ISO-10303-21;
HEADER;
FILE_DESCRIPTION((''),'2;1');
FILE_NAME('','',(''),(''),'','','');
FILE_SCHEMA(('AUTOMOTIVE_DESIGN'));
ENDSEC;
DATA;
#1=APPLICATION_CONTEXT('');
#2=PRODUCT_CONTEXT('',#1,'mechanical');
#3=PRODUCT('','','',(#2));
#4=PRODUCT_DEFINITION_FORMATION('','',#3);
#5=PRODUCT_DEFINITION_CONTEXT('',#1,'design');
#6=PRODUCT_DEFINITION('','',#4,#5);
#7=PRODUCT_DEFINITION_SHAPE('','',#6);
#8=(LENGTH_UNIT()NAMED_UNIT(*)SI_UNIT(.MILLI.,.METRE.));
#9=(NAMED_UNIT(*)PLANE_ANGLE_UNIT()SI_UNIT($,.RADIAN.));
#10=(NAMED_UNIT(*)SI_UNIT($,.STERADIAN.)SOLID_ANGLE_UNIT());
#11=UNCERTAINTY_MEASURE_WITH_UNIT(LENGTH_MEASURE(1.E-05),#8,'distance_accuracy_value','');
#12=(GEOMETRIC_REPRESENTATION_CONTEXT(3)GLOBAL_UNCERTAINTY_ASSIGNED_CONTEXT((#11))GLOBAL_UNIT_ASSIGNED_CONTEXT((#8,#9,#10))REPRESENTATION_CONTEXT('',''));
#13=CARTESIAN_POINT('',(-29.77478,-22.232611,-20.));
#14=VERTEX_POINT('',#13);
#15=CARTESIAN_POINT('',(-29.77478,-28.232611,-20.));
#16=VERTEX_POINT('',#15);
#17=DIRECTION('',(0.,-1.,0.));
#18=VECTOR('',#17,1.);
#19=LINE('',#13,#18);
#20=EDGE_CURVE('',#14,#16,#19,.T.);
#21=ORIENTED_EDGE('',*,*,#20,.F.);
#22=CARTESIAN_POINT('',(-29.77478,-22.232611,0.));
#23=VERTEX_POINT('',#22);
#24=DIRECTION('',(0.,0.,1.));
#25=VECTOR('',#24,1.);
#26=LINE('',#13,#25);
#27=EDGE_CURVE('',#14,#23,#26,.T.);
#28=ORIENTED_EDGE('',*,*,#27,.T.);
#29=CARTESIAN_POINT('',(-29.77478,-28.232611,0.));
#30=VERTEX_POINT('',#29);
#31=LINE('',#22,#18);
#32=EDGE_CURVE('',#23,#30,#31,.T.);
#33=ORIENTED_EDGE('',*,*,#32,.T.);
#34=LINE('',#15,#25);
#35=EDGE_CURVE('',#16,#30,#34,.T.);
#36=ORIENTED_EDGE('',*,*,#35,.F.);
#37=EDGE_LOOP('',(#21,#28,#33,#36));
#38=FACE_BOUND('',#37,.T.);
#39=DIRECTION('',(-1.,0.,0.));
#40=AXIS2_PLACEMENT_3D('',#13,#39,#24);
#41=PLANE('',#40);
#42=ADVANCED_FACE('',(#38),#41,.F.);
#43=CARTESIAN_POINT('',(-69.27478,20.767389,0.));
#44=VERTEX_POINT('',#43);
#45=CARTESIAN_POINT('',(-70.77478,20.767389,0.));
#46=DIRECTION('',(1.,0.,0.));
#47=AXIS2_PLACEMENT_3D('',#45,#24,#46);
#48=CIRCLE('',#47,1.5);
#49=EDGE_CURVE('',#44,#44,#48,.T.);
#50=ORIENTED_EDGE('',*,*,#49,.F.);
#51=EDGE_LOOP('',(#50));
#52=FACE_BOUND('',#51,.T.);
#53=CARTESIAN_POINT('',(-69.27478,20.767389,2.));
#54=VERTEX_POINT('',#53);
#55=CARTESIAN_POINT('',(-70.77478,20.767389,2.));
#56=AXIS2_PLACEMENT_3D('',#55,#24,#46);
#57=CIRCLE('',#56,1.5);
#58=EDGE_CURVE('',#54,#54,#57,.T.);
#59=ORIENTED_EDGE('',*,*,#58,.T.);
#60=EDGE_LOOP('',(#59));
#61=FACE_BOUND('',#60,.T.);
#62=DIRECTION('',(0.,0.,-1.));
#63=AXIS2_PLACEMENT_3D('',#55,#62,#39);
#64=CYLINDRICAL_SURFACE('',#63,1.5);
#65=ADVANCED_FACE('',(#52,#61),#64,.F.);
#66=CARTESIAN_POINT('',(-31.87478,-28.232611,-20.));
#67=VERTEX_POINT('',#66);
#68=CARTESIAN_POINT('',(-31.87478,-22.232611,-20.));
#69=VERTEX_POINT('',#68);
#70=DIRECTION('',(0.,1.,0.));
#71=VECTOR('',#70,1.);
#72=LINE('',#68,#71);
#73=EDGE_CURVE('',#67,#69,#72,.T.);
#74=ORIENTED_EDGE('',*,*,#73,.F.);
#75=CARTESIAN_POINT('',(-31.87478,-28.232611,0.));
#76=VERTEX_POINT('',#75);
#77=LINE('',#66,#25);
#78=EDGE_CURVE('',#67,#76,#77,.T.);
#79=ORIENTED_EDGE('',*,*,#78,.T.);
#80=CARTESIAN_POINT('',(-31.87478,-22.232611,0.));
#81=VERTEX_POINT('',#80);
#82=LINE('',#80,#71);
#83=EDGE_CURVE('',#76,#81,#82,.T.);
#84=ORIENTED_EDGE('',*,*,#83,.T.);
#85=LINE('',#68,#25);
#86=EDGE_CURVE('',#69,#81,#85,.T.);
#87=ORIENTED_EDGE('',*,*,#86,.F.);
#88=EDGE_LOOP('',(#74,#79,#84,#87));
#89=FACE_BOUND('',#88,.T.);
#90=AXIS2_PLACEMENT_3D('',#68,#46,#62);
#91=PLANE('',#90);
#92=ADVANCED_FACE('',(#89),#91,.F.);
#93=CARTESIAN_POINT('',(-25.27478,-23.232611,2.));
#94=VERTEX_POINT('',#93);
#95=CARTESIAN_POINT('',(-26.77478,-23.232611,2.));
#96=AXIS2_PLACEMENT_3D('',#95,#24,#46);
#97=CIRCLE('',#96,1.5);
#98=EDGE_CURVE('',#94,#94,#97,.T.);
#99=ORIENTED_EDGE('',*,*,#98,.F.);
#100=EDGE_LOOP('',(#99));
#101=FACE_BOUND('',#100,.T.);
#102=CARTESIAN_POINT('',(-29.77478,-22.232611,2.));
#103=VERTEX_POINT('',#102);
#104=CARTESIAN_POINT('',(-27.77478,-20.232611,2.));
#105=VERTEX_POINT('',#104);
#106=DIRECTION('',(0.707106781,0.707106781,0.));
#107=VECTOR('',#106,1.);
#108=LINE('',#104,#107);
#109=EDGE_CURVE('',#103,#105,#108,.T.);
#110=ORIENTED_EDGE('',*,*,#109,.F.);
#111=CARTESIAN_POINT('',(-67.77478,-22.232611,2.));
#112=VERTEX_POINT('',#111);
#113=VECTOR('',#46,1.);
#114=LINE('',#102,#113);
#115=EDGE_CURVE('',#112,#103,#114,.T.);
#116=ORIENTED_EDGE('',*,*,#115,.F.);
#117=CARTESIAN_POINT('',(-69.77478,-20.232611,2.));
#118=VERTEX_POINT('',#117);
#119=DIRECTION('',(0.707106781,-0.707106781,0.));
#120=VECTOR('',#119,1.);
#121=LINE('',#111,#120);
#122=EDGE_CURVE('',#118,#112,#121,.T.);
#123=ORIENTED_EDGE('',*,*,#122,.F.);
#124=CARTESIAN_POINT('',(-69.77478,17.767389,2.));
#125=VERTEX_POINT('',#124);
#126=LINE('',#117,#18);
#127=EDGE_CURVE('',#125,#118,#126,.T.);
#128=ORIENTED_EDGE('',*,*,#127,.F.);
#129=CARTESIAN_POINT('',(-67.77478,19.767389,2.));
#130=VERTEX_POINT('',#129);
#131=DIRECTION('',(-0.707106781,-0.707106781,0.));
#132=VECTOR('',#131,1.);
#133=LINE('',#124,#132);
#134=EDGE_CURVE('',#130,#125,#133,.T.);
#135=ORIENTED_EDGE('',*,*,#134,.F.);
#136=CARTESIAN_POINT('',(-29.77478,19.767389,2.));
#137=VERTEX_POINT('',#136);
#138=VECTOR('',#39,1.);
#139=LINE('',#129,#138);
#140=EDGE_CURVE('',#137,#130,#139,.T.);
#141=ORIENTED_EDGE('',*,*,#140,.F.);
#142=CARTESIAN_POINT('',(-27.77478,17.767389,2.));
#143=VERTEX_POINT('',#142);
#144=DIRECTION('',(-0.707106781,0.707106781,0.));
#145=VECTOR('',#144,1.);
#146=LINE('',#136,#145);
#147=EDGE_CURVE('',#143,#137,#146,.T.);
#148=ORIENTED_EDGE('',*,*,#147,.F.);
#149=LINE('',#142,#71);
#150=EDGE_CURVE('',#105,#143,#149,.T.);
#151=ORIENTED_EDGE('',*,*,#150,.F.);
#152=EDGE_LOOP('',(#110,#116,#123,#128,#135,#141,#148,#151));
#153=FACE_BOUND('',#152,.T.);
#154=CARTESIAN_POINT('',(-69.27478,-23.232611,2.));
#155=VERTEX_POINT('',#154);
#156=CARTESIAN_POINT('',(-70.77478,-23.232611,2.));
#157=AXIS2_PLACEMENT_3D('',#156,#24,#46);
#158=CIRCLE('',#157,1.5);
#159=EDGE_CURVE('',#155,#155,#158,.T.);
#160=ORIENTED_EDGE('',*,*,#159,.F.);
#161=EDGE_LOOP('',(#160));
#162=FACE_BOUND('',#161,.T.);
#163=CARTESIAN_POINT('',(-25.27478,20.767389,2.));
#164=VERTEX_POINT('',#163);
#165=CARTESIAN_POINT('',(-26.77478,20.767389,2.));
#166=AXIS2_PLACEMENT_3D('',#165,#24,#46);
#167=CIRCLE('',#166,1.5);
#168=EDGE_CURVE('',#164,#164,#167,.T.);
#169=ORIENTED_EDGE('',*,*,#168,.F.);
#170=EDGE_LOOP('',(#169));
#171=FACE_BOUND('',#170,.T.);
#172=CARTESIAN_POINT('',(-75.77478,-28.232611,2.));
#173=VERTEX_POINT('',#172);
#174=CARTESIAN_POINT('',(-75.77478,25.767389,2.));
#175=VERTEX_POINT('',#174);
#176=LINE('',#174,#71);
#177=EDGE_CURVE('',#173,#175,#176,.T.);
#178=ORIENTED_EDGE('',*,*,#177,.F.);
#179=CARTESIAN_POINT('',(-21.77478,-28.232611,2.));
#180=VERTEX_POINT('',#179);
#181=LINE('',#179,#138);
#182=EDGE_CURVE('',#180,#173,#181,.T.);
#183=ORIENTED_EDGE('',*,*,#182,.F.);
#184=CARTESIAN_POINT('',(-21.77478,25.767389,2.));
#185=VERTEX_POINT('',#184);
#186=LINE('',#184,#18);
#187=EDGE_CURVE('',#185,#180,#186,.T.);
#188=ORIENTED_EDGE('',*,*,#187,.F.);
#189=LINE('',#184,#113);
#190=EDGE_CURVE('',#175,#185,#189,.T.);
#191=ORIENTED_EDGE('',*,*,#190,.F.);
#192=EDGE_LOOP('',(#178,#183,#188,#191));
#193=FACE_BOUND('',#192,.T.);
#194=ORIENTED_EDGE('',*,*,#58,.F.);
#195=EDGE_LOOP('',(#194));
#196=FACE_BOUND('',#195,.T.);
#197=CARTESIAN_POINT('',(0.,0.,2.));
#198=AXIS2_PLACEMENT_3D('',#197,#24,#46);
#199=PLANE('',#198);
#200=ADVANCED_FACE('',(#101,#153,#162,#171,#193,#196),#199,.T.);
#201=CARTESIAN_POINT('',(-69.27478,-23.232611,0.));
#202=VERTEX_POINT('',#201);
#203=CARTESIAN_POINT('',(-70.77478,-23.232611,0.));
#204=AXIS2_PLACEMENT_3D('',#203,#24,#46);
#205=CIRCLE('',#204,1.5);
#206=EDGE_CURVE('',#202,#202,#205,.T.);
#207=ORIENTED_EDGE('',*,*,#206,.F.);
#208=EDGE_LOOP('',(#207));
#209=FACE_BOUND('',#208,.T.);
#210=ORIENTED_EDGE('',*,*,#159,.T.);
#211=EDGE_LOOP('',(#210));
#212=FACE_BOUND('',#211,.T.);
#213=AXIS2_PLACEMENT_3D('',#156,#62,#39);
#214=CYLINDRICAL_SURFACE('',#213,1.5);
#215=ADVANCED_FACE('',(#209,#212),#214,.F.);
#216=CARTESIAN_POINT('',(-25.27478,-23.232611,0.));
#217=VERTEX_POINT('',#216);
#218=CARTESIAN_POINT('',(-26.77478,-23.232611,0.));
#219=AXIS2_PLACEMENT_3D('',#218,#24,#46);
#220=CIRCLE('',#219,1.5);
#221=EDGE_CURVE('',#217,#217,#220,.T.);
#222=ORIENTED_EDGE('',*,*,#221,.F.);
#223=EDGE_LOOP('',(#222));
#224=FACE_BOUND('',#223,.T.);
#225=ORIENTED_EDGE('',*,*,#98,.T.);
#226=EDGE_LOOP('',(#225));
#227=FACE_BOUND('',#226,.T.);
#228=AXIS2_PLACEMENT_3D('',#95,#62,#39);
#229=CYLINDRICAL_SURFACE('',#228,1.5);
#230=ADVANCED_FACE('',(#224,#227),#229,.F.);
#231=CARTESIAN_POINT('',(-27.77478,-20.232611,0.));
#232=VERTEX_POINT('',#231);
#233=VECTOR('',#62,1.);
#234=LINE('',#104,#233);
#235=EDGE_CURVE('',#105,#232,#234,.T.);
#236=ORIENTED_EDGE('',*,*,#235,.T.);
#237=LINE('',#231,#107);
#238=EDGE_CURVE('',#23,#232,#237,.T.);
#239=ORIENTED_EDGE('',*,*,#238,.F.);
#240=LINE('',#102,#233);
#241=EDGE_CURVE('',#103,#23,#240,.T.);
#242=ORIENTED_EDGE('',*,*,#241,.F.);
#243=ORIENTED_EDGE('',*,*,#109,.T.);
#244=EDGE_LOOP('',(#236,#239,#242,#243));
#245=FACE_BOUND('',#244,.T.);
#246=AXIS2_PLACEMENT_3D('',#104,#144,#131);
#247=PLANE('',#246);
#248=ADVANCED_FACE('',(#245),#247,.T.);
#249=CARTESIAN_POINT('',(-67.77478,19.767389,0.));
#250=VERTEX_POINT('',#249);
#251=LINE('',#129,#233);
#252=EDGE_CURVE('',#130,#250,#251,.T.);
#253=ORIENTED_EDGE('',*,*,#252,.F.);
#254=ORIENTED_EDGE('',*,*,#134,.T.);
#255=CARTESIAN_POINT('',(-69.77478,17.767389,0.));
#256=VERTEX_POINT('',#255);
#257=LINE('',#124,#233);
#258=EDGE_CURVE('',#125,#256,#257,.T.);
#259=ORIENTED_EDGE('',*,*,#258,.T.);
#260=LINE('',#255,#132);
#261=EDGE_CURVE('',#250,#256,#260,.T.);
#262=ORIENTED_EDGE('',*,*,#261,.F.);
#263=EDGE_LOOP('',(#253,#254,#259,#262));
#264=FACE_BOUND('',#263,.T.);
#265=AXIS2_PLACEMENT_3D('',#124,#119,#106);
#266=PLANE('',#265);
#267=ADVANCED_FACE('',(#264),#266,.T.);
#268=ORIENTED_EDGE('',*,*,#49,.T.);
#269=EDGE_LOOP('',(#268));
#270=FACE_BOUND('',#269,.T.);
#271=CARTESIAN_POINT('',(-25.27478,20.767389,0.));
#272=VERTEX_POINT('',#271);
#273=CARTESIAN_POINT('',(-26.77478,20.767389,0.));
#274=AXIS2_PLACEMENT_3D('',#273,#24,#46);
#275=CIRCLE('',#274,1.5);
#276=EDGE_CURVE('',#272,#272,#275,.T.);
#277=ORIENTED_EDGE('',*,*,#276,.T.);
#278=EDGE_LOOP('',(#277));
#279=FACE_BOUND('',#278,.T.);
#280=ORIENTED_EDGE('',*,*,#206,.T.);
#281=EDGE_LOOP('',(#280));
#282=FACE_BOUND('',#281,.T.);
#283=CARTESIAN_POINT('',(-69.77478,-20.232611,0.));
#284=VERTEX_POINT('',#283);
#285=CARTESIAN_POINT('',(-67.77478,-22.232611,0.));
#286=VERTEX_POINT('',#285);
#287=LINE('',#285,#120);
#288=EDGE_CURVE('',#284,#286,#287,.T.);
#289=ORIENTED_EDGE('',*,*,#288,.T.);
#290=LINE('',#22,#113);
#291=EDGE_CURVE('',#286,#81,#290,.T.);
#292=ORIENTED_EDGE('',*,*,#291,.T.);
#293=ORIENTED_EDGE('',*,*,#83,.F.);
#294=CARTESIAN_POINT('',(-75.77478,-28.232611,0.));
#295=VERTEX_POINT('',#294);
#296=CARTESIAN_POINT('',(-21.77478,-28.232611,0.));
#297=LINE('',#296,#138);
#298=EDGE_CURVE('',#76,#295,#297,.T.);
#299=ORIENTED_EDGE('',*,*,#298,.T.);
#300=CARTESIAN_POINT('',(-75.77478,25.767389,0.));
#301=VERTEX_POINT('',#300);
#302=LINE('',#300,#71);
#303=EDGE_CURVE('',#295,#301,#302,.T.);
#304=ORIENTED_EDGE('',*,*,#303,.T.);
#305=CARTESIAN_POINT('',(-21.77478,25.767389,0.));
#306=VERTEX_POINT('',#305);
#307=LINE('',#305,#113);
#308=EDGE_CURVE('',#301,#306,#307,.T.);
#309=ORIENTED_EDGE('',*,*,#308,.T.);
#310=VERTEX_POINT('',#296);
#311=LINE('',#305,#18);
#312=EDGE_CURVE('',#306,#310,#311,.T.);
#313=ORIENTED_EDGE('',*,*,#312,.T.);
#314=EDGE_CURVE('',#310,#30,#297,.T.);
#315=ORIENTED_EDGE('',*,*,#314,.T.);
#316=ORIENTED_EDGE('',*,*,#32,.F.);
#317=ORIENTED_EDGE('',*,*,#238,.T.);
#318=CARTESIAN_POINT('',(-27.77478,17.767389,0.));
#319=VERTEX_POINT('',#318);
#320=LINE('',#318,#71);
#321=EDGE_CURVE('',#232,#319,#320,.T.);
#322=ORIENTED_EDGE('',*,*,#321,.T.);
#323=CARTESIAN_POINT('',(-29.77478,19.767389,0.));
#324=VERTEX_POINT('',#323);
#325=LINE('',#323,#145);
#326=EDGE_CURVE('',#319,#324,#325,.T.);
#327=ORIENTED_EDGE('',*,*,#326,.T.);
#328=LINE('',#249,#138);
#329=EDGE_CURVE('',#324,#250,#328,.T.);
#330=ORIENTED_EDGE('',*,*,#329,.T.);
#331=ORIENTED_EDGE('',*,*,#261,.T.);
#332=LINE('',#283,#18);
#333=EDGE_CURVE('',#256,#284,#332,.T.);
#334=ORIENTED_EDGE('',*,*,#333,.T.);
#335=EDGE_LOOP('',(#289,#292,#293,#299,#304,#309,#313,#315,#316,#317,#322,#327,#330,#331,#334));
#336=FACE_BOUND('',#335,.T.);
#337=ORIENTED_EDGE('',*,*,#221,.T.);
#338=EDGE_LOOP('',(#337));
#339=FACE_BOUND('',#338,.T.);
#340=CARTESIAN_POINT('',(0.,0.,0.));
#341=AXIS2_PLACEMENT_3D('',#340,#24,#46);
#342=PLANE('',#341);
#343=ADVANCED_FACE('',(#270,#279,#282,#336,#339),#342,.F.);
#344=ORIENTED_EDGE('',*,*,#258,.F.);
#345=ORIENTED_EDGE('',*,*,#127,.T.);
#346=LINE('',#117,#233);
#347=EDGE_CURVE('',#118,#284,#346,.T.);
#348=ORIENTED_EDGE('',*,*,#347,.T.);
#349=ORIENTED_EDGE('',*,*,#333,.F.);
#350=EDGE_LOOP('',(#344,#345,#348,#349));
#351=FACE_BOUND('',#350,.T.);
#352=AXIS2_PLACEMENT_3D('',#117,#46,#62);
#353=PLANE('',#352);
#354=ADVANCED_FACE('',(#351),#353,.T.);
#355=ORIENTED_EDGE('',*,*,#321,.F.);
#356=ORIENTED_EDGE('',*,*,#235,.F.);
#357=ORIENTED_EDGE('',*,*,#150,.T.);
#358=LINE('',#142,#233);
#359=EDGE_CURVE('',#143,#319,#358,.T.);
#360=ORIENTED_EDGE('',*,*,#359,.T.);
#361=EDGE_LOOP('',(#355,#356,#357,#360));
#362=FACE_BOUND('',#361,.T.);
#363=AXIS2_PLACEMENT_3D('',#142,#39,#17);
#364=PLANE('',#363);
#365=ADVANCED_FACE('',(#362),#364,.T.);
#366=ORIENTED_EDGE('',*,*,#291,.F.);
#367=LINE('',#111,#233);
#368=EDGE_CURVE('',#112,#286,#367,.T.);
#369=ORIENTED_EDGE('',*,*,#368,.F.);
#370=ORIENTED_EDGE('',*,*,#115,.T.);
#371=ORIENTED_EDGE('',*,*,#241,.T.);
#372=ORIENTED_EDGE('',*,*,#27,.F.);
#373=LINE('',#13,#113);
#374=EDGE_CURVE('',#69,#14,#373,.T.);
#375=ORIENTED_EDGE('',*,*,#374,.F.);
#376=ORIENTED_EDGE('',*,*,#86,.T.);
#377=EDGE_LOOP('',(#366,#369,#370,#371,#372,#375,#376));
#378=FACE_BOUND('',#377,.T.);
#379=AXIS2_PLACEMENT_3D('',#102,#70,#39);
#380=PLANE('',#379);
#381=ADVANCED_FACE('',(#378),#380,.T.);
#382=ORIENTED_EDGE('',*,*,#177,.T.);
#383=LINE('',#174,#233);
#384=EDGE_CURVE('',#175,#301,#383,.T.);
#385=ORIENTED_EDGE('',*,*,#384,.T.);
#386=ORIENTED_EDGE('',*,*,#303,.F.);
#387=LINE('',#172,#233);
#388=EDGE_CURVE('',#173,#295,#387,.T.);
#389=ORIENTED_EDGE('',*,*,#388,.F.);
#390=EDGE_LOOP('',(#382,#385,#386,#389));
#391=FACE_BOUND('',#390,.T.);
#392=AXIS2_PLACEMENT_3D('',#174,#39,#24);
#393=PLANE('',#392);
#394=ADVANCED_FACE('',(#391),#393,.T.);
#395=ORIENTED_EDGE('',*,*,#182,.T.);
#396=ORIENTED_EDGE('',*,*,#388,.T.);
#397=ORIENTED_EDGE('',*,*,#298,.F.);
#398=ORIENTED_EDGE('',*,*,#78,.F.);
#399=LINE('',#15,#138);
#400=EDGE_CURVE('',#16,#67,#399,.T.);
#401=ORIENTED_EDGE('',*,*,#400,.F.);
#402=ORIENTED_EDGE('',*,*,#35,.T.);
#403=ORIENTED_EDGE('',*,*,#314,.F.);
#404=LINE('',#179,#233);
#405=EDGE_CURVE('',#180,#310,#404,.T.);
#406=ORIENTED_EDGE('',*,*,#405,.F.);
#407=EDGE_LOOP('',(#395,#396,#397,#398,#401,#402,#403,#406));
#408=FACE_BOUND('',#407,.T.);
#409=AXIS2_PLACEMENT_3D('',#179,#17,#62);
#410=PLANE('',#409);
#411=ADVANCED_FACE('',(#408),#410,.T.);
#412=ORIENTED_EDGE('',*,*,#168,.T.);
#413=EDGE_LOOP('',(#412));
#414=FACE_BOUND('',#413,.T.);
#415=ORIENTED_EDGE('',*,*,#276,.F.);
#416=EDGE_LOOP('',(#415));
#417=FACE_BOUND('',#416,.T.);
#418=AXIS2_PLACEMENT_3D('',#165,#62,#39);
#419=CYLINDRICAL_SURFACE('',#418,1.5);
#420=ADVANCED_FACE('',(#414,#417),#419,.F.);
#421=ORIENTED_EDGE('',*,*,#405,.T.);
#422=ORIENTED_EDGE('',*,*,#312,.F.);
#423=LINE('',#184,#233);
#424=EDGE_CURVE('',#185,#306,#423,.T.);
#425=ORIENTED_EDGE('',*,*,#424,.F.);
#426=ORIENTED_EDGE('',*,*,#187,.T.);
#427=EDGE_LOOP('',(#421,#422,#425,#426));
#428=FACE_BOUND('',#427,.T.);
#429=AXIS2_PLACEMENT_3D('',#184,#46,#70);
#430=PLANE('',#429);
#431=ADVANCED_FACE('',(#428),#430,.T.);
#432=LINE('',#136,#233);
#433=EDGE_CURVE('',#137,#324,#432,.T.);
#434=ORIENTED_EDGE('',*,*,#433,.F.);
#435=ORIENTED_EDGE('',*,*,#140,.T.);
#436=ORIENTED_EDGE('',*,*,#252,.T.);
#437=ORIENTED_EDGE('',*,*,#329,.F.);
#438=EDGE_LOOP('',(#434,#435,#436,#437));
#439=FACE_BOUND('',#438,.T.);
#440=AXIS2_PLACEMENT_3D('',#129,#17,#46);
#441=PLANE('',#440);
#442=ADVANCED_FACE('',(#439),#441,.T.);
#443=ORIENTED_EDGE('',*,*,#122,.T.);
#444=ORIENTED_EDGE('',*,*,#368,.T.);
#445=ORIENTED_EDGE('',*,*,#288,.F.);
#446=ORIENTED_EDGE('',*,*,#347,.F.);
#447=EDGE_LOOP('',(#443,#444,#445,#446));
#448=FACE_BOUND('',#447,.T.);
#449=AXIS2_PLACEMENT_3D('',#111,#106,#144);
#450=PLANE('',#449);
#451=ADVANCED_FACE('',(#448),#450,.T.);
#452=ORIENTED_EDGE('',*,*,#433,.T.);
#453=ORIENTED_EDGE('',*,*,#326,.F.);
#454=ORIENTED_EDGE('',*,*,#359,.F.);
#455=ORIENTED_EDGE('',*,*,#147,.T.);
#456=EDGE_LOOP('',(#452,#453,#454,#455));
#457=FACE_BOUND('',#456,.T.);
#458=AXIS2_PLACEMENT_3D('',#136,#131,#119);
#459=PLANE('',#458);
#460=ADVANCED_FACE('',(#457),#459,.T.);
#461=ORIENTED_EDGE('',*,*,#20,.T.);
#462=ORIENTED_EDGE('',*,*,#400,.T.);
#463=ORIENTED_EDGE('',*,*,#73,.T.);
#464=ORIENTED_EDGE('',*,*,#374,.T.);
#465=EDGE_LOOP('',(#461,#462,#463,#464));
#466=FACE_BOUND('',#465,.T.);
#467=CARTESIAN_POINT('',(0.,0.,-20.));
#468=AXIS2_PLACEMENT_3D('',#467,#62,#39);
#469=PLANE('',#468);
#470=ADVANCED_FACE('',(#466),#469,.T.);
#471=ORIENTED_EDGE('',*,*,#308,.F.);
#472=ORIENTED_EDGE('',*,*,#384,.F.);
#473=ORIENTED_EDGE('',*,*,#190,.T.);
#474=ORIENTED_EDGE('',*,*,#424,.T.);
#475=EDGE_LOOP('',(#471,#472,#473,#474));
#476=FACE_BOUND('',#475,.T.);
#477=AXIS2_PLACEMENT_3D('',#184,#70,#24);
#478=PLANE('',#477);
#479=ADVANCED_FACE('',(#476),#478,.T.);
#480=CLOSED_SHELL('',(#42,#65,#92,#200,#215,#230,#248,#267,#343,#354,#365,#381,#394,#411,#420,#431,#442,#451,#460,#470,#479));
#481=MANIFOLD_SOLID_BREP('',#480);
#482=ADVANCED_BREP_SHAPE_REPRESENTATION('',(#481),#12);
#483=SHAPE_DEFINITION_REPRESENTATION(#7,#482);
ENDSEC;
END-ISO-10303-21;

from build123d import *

# Parameters (mm, degrees)
CROQUIS1_W              = 50
CROQUIS1_H              = 50
CROQUIS1_R              = 1.5
SALIENTE_EXTRUIR1_DEPTH = 2
CROQUIS2_W              = 54
CROQUIS2_H              = 54
CROQUIS2_W_2            = 50
CROQUIS2_H_2            = 50
SALIENTE_EXTRUIR2_DEPTH = 2
CROQUIS3_W              = 2.1
CROQUIS3_H              = 6
SALIENTE_EXTRUIR3_DEPTH = 20


with BuildPart() as part:
    # Croquis1 → Saliente-Extruir1 (new body)
    with BuildSketch(Plane.XY):
        with Locations((-48.774779829, -1.232610977)):
            Rectangle(CROQUIS1_W, CROQUIS1_H)
        with Locations((-70.774779829, 20.767389023)):
            Circle(CROQUIS1_R, mode=Mode.SUBTRACT)
        with Locations((-26.774779829, 20.767389023)):
            Circle(CROQUIS1_R, mode=Mode.SUBTRACT)
        with Locations((-26.774779829, -23.232610977)):
            Circle(CROQUIS1_R, mode=Mode.SUBTRACT)
        with Locations((-70.774779829, -23.232610977)):
            Circle(CROQUIS1_R, mode=Mode.SUBTRACT)
        Polygon((-69.774779829, 17.767389023), (-67.774779829, 19.767389023), (-29.774779829, 19.767389023), (-27.774779829, 17.767389023), (-27.774779829, -20.232610977), (-29.774779829, -22.232610977), (-67.774779829, -22.232610977), (-69.774779829, -20.232610977), align=None, mode=Mode.SUBTRACT)
    extrude(amount=SALIENTE_EXTRUIR1_DEPTH)

    # Croquis2 → Saliente-Extruir2 (add)
    with BuildSketch(Plane(origin=(0, 0, 0), x_dir=(-1, 0, 0), z_dir=(0, 0, -1))):
        with Locations((48.774779829, -1.232610977)):
            Rectangle(CROQUIS2_W, CROQUIS2_H)
        with Locations((48.774779829, -1.232610977)):
            Rectangle(CROQUIS2_W_2, CROQUIS2_H_2, mode=Mode.SUBTRACT)
    extrude(amount=-SALIENTE_EXTRUIR2_DEPTH)

    # Croquis3 → Saliente-Extruir3 (add)
    with BuildSketch(Plane(origin=(0, 0, 0), x_dir=(-1, 0, 0), z_dir=(0, 0, -1))):
        with Locations((30.824779829, -25.232610977)):
            Rectangle(CROQUIS3_W, CROQUIS3_H)
    extrude(amount=SALIENTE_EXTRUIR3_DEPTH)


solid = part.part
